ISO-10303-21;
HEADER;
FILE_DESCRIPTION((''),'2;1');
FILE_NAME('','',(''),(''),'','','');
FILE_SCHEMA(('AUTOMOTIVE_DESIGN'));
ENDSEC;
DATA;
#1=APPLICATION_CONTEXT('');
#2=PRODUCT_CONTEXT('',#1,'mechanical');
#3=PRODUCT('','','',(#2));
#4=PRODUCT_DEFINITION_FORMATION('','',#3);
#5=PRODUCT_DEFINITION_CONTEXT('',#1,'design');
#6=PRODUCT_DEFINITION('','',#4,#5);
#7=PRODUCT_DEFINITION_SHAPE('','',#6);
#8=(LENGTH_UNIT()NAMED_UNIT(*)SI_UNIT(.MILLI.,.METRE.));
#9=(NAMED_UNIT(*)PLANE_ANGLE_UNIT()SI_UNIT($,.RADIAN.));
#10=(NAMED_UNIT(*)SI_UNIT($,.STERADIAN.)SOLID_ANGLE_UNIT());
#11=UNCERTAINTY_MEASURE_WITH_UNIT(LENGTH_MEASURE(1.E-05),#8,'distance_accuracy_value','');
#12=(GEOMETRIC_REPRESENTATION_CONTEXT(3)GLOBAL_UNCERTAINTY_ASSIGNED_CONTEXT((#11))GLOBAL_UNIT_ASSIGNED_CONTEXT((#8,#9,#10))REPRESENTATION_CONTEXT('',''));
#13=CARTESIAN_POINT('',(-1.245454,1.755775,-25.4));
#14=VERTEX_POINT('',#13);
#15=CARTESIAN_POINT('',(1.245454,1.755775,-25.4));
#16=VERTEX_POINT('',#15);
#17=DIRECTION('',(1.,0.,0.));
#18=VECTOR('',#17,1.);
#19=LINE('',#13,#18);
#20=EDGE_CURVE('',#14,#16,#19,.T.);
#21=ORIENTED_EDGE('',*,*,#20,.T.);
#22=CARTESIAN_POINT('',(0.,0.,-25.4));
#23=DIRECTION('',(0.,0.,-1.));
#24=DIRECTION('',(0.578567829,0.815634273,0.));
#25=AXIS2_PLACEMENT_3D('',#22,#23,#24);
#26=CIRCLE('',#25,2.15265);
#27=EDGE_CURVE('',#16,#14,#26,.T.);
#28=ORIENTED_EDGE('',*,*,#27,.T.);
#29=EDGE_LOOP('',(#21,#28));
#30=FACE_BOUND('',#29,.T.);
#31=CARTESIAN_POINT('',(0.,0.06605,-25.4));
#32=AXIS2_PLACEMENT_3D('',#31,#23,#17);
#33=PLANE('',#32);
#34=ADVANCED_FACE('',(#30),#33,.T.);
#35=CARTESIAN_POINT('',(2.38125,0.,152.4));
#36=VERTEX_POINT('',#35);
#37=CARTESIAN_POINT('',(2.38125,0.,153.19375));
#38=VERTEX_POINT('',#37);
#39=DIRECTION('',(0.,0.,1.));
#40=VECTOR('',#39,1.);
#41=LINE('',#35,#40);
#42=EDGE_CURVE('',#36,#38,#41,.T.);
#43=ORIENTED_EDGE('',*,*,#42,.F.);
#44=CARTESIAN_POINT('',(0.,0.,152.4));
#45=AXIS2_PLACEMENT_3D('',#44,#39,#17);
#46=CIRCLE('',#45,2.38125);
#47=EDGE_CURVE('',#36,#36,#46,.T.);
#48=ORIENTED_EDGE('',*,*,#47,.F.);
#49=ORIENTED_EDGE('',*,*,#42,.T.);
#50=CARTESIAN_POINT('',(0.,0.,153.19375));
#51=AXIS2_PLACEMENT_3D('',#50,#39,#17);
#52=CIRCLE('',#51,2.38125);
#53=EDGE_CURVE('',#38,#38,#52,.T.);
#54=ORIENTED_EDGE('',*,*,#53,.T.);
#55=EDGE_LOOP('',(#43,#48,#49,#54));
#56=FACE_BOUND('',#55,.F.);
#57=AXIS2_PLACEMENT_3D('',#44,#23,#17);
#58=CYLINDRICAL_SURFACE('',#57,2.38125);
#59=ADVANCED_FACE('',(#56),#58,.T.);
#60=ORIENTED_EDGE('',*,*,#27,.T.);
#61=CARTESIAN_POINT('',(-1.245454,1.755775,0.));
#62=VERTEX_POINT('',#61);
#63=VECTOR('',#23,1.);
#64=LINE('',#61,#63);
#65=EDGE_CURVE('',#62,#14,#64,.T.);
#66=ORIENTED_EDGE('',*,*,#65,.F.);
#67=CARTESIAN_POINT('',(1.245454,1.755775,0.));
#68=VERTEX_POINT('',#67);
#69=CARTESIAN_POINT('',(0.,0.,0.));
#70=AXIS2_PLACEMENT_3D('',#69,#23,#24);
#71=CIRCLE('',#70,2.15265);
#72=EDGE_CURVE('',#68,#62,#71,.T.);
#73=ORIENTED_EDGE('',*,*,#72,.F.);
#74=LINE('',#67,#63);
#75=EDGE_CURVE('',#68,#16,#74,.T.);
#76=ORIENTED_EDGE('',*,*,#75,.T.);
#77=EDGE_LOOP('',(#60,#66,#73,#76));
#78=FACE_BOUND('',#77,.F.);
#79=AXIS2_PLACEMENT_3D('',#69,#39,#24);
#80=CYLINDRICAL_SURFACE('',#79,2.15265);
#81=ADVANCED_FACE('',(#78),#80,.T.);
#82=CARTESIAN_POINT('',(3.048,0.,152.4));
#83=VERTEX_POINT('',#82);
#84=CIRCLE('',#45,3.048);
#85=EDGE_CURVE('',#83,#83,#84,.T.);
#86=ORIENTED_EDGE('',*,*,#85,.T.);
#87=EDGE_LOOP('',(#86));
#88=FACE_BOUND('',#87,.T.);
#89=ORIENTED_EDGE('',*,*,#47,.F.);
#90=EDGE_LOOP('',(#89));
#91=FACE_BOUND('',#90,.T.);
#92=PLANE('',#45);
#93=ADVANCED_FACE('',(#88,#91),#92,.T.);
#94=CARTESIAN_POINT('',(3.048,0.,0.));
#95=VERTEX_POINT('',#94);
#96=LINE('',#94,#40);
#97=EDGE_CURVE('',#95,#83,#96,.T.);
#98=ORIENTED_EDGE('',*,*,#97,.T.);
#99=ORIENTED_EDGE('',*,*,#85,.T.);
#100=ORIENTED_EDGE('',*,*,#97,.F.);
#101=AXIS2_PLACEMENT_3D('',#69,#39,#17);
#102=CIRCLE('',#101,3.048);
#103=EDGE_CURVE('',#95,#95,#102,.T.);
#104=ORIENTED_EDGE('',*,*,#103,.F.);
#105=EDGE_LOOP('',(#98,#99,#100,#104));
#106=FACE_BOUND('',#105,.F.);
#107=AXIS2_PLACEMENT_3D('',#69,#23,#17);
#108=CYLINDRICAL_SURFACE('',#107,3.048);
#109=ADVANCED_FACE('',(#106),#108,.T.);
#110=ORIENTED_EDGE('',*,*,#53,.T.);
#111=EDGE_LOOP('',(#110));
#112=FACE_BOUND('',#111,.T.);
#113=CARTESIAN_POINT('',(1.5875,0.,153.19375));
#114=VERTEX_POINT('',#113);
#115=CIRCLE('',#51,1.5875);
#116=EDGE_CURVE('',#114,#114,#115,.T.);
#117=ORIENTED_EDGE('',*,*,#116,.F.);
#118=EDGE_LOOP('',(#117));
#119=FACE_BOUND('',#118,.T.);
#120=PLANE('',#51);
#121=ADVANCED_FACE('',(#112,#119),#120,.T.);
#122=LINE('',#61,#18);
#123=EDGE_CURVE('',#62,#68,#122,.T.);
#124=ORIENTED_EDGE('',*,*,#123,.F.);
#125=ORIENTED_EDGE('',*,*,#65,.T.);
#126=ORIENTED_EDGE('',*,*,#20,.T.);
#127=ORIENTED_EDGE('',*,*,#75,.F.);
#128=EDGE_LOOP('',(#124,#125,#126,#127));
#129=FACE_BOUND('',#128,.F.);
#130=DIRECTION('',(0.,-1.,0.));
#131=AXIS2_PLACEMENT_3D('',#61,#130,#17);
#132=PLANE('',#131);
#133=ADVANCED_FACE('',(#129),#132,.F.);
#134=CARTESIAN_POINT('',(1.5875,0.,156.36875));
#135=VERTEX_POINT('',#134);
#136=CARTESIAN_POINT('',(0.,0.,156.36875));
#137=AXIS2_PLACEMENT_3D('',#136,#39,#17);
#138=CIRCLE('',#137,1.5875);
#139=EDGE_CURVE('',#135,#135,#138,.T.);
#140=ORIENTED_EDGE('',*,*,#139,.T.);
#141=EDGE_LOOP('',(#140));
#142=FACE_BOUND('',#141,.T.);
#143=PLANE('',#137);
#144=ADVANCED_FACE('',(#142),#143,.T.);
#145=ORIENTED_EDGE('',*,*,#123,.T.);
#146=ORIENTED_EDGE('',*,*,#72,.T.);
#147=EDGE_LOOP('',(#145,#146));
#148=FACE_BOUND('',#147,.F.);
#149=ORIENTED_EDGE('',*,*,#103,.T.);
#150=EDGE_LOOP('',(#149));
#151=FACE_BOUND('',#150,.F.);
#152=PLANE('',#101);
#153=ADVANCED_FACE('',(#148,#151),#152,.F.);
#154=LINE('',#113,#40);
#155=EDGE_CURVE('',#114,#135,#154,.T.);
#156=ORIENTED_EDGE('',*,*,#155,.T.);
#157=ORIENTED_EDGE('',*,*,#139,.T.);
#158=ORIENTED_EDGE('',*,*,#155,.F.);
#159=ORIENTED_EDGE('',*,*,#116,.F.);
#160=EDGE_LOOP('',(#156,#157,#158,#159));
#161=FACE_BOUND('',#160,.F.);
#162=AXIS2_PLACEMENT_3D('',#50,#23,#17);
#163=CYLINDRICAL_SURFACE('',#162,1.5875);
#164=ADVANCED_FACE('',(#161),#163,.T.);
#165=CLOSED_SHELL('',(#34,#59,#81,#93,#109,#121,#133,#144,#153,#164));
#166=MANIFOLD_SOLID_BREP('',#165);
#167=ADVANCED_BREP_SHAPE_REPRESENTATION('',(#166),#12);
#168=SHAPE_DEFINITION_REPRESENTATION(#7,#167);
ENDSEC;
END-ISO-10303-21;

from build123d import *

# Parameters (mm, degrees)
F0_R     = 3.048
F1_DEPTH = 152.4
F2_R     = 2.38125
F3_DEPTH = 0.79375
F4_R     = 1.5875
F5_DEPTH = 3.175
F7_DEPTH = 25.4


with BuildPart() as f1:
    # F0 (on Top) → F1 (new body)
    with BuildSketch(Plane.XY):
        Circle(F0_R)
    extrude(amount=F1_DEPTH)

    # F2 (on face) → F3 (join)
    with BuildSketch(Plane.XY.offset(152.4)):
        Circle(F2_R)
    extrude(amount=F3_DEPTH)

    # F4 (on face) → F5 (join)
    with BuildSketch(Plane.XY.offset(153.19375)):
        Circle(F4_R)
    extrude(amount=F5_DEPTH)

    # F6 (on face) → F7 (join)
    with BuildSketch(Plane(origin=(0, 0, 0), x_dir=(1, 0, 0), z_dir=(0, 0, -1))):
        with BuildLine():
            Line((-1.245454, -1.755775), (1.245454, -1.755775))
            ThreePointArc((1.245454, -1.755775), (0, 2.15265), (-1.245454, -1.755775))
        make_face()
    extrude(amount=F7_DEPTH)


solid = f1.part
